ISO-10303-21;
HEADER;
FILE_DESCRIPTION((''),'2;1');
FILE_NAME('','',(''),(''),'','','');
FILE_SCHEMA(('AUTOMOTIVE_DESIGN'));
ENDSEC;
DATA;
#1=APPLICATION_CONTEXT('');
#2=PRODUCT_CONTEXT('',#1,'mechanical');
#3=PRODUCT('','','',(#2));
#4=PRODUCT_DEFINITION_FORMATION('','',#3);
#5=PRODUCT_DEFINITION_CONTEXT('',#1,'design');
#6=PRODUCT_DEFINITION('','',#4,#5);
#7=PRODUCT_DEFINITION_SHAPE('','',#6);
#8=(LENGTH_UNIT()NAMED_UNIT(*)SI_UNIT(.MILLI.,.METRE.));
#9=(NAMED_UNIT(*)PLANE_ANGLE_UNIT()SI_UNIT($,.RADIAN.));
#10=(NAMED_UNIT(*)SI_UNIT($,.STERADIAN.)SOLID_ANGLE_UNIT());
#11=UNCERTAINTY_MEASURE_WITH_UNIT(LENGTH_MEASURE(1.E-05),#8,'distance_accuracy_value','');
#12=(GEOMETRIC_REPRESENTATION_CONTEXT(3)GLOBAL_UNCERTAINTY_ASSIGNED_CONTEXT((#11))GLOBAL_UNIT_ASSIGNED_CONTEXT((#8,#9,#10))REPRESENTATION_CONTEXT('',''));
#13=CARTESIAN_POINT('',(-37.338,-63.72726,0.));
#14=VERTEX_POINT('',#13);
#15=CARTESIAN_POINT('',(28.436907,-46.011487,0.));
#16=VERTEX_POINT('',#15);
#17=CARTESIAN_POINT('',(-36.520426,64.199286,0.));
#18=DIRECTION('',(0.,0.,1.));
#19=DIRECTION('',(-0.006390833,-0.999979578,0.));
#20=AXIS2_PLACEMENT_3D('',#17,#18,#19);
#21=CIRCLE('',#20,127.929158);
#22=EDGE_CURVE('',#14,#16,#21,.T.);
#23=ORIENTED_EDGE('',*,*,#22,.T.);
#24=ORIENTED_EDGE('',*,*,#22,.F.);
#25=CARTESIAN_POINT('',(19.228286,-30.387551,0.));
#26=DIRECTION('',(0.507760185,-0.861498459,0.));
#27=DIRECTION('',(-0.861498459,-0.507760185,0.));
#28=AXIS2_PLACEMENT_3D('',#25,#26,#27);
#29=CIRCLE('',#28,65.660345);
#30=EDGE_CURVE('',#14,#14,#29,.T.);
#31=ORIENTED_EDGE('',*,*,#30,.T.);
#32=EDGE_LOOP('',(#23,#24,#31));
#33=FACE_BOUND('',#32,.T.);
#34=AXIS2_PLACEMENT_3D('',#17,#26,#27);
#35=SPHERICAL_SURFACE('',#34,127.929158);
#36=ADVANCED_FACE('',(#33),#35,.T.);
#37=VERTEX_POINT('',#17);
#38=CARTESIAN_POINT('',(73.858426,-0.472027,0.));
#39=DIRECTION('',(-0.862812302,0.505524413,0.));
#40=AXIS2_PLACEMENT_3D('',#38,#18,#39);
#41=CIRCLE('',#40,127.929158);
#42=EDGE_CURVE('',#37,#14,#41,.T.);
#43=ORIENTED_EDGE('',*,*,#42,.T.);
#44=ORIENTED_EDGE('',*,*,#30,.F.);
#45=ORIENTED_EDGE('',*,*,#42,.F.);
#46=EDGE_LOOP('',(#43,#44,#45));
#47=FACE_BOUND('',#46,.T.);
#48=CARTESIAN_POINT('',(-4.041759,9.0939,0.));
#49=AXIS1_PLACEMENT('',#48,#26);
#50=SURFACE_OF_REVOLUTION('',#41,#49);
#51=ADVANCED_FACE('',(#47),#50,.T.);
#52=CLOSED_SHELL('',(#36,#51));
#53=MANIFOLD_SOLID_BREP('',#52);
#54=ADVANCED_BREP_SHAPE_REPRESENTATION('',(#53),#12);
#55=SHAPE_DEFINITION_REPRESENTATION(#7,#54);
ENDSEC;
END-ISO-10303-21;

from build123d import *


with BuildPart() as f1:
    # F0 (on Top) → F1 (revolve)
    with BuildSketch(Plane.XY):
        Polygon((19.7409244793, -31.2573250508), (-36.5204258628, 64.1992861634), (-37.3379997909, -63.7272596359), align=None)
        with BuildLine():
            Line((-37.3379997909, -63.7272596359), (-36.5204258628, 64.1992861634))
            ThreePointArc((-36.5204258628, 64.1992861634), (-54.0681201456, 0.3455474006), (-37.3379997909, -63.7272596359))
        make_face()
        with BuildLine():
            Line((19.7409244793, -31.2573250508), (-37.3379997909, -63.7272596359))
            ThreePointArc((-37.3379997909, -63.7272596359), (-3.2497280666, -59.3277562825), (28.4369072706, -46.0114865381))
            Line((28.4369072706, -46.0114865381), (19.7409244793, -31.2573250508))
        make_face()
    revolve(axis=Axis((-4.0417592961, 9.0938998126, 0), (0.5077601853, -0.8614984586, 0)))


solid = f1.part
